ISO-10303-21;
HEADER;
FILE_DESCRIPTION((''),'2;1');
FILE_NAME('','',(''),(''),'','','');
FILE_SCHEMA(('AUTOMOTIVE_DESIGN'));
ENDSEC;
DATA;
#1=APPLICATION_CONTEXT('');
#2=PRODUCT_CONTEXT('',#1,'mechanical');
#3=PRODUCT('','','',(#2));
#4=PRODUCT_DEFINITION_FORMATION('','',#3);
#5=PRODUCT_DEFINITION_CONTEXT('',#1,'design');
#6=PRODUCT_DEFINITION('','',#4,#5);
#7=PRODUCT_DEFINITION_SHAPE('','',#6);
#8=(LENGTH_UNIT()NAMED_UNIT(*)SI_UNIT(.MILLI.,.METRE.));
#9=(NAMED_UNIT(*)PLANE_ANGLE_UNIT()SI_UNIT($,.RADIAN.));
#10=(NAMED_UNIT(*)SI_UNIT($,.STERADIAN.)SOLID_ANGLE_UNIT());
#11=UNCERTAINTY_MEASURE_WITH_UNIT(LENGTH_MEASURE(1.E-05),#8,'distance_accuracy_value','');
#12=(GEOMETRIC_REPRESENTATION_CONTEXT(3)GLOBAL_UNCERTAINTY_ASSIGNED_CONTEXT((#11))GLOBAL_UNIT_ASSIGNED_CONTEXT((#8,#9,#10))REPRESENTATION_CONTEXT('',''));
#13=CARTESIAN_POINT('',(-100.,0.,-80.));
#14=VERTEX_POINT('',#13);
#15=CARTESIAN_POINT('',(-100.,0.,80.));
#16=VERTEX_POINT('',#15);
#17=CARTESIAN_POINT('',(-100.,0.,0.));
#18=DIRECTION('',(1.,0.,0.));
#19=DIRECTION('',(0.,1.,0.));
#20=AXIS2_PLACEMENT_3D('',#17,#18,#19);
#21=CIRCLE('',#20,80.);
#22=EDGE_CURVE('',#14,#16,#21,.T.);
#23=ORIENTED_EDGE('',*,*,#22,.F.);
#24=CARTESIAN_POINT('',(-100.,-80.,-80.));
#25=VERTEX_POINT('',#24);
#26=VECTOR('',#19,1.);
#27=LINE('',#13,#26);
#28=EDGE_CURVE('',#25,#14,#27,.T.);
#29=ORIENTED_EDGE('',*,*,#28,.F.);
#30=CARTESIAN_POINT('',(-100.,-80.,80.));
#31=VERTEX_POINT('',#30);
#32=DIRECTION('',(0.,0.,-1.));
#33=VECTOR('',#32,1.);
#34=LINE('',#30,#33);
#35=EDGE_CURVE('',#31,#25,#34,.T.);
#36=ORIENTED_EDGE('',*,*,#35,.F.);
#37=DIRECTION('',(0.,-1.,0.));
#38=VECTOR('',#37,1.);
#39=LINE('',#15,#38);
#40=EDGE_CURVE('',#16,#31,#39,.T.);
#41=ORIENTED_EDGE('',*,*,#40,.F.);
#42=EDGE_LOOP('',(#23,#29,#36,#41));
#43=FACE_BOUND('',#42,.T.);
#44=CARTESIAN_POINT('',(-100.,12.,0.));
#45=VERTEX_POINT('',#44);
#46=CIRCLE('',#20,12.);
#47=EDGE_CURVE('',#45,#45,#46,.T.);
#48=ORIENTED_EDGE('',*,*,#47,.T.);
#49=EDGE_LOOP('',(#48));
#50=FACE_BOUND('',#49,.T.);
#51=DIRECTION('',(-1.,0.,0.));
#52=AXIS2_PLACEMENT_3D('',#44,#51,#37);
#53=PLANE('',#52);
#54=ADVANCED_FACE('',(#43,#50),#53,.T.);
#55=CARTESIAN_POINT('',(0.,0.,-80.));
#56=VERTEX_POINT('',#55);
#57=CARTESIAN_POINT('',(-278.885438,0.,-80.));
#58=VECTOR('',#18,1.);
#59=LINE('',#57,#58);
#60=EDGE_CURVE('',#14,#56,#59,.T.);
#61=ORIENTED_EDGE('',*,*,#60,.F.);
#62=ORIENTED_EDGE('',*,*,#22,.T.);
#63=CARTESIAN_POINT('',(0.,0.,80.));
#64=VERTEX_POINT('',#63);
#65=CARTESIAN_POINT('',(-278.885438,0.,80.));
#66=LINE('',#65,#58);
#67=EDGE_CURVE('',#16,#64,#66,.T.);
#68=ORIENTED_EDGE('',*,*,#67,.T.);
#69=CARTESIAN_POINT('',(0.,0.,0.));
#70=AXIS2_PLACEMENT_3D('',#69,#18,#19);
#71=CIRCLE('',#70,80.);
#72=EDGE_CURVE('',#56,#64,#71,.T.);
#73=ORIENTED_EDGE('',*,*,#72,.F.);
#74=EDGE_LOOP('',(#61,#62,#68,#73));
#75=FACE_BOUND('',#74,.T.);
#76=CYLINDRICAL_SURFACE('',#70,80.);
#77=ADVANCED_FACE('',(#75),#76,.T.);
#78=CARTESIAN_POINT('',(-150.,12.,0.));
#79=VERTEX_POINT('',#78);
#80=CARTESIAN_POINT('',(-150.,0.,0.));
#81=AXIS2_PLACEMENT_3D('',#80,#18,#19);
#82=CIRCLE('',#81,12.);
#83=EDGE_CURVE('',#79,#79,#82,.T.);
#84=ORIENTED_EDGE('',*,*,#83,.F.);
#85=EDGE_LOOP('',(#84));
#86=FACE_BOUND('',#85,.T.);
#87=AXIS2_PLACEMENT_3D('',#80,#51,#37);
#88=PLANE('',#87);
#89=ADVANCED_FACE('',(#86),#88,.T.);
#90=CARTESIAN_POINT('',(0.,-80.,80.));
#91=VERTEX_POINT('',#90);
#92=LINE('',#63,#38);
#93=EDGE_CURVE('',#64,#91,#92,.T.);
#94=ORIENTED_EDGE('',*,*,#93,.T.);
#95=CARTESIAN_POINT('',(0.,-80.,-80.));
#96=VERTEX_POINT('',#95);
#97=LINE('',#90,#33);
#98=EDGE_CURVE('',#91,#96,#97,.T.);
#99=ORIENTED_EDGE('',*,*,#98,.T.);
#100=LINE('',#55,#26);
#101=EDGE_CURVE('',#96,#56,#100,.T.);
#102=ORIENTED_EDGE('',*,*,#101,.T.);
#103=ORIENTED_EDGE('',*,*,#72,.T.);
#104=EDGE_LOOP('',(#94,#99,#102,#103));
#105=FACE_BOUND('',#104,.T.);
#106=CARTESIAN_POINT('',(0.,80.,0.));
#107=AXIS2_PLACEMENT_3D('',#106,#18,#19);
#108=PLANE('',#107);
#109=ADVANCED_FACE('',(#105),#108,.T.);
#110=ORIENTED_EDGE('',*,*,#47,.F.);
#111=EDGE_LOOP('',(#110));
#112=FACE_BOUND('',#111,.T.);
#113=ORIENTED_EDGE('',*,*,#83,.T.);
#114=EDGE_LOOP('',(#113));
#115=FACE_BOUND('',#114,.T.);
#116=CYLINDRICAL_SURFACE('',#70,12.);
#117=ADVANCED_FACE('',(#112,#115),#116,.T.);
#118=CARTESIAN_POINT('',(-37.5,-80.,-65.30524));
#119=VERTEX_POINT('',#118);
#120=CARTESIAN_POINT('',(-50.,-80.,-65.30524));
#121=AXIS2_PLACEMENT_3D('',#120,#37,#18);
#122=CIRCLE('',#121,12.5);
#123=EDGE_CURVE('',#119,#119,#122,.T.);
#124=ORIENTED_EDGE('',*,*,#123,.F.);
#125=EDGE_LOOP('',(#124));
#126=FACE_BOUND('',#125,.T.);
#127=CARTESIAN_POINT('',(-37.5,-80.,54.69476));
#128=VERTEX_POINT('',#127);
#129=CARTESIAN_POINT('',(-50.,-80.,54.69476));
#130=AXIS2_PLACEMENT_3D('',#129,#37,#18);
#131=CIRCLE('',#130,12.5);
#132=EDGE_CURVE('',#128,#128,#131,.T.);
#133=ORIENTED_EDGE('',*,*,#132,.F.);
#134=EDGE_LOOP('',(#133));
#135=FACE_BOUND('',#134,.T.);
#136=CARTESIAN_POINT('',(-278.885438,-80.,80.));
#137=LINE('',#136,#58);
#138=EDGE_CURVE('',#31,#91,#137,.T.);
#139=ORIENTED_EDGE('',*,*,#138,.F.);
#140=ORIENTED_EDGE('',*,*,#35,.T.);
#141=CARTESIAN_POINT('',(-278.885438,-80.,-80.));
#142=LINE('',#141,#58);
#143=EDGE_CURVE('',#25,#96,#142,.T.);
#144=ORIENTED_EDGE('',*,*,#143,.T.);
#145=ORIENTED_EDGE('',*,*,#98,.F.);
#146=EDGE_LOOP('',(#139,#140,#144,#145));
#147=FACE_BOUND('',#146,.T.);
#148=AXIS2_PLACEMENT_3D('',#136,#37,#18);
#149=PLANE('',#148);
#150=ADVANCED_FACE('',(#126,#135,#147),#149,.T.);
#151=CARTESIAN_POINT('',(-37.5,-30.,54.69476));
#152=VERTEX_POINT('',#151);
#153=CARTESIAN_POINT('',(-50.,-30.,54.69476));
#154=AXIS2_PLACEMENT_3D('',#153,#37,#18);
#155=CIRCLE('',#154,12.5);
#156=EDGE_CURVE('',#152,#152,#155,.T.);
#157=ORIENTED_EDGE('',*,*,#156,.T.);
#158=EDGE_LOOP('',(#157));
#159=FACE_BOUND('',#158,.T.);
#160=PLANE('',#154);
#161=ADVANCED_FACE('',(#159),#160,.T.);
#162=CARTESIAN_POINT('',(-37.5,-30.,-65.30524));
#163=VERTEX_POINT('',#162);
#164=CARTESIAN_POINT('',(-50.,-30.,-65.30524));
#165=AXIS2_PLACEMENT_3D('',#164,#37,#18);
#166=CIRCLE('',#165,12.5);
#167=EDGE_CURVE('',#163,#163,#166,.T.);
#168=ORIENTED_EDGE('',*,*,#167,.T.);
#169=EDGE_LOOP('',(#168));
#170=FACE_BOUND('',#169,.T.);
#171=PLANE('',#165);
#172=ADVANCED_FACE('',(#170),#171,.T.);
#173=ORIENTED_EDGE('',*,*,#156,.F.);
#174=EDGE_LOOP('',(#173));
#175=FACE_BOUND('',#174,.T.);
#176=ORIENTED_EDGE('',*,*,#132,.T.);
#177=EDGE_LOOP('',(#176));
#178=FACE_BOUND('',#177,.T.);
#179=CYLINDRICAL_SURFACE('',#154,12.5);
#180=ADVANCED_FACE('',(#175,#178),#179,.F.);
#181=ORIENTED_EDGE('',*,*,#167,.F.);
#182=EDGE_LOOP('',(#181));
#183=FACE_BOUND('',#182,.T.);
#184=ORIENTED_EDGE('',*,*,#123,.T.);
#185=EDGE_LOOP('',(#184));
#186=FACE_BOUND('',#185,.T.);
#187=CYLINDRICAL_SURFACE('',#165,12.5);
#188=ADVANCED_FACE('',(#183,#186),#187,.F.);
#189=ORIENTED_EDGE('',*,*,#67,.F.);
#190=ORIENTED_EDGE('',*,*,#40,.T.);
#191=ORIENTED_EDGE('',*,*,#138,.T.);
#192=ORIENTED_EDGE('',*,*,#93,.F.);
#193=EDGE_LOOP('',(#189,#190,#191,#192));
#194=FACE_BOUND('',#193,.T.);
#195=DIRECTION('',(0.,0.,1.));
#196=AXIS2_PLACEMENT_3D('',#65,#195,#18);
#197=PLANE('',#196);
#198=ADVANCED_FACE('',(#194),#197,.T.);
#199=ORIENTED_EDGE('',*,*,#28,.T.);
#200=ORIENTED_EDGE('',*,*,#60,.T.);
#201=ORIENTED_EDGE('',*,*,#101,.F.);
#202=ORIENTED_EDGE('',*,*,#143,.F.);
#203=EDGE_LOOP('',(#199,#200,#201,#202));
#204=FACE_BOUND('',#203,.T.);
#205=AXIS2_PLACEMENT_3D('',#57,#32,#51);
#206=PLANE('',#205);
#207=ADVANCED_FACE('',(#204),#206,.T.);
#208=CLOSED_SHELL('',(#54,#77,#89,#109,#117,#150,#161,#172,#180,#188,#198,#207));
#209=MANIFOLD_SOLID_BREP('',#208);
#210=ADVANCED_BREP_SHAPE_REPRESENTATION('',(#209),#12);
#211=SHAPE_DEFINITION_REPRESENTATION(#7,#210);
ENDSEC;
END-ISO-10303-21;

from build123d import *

# Parameters (mm, degrees)
SKETCH3_W           = 160
SKETCH3_H           = 80
BOSS_EXTRUDE1_DEPTH = 100
SKETCH5_R           = 12.5
CUT_EXTRUDE2_DEPTH  = 50


with BuildPart() as part:
    # Sketch1 → Revolve1 (revolve)
    with BuildSketch(Plane.XY):
        Polygon((0, 0), (-150, 0), (-150, 12), (-100, 12), (-100, 80), (0, 80), align=None)
    revolve(axis=Axis((0, 0, 0), (-1, 0, 0)))

    # Sketch3 → Boss-Extrude1 (add)
    with BuildSketch(Plane(origin=(0, 0, 0), x_dir=(0, 0, -1), z_dir=(1, 0, 0))):
        with Locations((0, -40)):
            Rectangle(SKETCH3_W, SKETCH3_H)
    extrude(amount=-BOSS_EXTRUDE1_DEPTH)

    # Sketch5 → Cut-Extrude2 (cut)
    with BuildSketch(Plane.XZ.offset(80)):
        with Locations((-50, 54.694760198)):
            Circle(SKETCH5_R)
        with Locations((-50, -65.305239802)):
            Circle(SKETCH5_R)
    extrude(amount=-CUT_EXTRUDE2_DEPTH, mode=Mode.SUBTRACT)


solid = part.part
